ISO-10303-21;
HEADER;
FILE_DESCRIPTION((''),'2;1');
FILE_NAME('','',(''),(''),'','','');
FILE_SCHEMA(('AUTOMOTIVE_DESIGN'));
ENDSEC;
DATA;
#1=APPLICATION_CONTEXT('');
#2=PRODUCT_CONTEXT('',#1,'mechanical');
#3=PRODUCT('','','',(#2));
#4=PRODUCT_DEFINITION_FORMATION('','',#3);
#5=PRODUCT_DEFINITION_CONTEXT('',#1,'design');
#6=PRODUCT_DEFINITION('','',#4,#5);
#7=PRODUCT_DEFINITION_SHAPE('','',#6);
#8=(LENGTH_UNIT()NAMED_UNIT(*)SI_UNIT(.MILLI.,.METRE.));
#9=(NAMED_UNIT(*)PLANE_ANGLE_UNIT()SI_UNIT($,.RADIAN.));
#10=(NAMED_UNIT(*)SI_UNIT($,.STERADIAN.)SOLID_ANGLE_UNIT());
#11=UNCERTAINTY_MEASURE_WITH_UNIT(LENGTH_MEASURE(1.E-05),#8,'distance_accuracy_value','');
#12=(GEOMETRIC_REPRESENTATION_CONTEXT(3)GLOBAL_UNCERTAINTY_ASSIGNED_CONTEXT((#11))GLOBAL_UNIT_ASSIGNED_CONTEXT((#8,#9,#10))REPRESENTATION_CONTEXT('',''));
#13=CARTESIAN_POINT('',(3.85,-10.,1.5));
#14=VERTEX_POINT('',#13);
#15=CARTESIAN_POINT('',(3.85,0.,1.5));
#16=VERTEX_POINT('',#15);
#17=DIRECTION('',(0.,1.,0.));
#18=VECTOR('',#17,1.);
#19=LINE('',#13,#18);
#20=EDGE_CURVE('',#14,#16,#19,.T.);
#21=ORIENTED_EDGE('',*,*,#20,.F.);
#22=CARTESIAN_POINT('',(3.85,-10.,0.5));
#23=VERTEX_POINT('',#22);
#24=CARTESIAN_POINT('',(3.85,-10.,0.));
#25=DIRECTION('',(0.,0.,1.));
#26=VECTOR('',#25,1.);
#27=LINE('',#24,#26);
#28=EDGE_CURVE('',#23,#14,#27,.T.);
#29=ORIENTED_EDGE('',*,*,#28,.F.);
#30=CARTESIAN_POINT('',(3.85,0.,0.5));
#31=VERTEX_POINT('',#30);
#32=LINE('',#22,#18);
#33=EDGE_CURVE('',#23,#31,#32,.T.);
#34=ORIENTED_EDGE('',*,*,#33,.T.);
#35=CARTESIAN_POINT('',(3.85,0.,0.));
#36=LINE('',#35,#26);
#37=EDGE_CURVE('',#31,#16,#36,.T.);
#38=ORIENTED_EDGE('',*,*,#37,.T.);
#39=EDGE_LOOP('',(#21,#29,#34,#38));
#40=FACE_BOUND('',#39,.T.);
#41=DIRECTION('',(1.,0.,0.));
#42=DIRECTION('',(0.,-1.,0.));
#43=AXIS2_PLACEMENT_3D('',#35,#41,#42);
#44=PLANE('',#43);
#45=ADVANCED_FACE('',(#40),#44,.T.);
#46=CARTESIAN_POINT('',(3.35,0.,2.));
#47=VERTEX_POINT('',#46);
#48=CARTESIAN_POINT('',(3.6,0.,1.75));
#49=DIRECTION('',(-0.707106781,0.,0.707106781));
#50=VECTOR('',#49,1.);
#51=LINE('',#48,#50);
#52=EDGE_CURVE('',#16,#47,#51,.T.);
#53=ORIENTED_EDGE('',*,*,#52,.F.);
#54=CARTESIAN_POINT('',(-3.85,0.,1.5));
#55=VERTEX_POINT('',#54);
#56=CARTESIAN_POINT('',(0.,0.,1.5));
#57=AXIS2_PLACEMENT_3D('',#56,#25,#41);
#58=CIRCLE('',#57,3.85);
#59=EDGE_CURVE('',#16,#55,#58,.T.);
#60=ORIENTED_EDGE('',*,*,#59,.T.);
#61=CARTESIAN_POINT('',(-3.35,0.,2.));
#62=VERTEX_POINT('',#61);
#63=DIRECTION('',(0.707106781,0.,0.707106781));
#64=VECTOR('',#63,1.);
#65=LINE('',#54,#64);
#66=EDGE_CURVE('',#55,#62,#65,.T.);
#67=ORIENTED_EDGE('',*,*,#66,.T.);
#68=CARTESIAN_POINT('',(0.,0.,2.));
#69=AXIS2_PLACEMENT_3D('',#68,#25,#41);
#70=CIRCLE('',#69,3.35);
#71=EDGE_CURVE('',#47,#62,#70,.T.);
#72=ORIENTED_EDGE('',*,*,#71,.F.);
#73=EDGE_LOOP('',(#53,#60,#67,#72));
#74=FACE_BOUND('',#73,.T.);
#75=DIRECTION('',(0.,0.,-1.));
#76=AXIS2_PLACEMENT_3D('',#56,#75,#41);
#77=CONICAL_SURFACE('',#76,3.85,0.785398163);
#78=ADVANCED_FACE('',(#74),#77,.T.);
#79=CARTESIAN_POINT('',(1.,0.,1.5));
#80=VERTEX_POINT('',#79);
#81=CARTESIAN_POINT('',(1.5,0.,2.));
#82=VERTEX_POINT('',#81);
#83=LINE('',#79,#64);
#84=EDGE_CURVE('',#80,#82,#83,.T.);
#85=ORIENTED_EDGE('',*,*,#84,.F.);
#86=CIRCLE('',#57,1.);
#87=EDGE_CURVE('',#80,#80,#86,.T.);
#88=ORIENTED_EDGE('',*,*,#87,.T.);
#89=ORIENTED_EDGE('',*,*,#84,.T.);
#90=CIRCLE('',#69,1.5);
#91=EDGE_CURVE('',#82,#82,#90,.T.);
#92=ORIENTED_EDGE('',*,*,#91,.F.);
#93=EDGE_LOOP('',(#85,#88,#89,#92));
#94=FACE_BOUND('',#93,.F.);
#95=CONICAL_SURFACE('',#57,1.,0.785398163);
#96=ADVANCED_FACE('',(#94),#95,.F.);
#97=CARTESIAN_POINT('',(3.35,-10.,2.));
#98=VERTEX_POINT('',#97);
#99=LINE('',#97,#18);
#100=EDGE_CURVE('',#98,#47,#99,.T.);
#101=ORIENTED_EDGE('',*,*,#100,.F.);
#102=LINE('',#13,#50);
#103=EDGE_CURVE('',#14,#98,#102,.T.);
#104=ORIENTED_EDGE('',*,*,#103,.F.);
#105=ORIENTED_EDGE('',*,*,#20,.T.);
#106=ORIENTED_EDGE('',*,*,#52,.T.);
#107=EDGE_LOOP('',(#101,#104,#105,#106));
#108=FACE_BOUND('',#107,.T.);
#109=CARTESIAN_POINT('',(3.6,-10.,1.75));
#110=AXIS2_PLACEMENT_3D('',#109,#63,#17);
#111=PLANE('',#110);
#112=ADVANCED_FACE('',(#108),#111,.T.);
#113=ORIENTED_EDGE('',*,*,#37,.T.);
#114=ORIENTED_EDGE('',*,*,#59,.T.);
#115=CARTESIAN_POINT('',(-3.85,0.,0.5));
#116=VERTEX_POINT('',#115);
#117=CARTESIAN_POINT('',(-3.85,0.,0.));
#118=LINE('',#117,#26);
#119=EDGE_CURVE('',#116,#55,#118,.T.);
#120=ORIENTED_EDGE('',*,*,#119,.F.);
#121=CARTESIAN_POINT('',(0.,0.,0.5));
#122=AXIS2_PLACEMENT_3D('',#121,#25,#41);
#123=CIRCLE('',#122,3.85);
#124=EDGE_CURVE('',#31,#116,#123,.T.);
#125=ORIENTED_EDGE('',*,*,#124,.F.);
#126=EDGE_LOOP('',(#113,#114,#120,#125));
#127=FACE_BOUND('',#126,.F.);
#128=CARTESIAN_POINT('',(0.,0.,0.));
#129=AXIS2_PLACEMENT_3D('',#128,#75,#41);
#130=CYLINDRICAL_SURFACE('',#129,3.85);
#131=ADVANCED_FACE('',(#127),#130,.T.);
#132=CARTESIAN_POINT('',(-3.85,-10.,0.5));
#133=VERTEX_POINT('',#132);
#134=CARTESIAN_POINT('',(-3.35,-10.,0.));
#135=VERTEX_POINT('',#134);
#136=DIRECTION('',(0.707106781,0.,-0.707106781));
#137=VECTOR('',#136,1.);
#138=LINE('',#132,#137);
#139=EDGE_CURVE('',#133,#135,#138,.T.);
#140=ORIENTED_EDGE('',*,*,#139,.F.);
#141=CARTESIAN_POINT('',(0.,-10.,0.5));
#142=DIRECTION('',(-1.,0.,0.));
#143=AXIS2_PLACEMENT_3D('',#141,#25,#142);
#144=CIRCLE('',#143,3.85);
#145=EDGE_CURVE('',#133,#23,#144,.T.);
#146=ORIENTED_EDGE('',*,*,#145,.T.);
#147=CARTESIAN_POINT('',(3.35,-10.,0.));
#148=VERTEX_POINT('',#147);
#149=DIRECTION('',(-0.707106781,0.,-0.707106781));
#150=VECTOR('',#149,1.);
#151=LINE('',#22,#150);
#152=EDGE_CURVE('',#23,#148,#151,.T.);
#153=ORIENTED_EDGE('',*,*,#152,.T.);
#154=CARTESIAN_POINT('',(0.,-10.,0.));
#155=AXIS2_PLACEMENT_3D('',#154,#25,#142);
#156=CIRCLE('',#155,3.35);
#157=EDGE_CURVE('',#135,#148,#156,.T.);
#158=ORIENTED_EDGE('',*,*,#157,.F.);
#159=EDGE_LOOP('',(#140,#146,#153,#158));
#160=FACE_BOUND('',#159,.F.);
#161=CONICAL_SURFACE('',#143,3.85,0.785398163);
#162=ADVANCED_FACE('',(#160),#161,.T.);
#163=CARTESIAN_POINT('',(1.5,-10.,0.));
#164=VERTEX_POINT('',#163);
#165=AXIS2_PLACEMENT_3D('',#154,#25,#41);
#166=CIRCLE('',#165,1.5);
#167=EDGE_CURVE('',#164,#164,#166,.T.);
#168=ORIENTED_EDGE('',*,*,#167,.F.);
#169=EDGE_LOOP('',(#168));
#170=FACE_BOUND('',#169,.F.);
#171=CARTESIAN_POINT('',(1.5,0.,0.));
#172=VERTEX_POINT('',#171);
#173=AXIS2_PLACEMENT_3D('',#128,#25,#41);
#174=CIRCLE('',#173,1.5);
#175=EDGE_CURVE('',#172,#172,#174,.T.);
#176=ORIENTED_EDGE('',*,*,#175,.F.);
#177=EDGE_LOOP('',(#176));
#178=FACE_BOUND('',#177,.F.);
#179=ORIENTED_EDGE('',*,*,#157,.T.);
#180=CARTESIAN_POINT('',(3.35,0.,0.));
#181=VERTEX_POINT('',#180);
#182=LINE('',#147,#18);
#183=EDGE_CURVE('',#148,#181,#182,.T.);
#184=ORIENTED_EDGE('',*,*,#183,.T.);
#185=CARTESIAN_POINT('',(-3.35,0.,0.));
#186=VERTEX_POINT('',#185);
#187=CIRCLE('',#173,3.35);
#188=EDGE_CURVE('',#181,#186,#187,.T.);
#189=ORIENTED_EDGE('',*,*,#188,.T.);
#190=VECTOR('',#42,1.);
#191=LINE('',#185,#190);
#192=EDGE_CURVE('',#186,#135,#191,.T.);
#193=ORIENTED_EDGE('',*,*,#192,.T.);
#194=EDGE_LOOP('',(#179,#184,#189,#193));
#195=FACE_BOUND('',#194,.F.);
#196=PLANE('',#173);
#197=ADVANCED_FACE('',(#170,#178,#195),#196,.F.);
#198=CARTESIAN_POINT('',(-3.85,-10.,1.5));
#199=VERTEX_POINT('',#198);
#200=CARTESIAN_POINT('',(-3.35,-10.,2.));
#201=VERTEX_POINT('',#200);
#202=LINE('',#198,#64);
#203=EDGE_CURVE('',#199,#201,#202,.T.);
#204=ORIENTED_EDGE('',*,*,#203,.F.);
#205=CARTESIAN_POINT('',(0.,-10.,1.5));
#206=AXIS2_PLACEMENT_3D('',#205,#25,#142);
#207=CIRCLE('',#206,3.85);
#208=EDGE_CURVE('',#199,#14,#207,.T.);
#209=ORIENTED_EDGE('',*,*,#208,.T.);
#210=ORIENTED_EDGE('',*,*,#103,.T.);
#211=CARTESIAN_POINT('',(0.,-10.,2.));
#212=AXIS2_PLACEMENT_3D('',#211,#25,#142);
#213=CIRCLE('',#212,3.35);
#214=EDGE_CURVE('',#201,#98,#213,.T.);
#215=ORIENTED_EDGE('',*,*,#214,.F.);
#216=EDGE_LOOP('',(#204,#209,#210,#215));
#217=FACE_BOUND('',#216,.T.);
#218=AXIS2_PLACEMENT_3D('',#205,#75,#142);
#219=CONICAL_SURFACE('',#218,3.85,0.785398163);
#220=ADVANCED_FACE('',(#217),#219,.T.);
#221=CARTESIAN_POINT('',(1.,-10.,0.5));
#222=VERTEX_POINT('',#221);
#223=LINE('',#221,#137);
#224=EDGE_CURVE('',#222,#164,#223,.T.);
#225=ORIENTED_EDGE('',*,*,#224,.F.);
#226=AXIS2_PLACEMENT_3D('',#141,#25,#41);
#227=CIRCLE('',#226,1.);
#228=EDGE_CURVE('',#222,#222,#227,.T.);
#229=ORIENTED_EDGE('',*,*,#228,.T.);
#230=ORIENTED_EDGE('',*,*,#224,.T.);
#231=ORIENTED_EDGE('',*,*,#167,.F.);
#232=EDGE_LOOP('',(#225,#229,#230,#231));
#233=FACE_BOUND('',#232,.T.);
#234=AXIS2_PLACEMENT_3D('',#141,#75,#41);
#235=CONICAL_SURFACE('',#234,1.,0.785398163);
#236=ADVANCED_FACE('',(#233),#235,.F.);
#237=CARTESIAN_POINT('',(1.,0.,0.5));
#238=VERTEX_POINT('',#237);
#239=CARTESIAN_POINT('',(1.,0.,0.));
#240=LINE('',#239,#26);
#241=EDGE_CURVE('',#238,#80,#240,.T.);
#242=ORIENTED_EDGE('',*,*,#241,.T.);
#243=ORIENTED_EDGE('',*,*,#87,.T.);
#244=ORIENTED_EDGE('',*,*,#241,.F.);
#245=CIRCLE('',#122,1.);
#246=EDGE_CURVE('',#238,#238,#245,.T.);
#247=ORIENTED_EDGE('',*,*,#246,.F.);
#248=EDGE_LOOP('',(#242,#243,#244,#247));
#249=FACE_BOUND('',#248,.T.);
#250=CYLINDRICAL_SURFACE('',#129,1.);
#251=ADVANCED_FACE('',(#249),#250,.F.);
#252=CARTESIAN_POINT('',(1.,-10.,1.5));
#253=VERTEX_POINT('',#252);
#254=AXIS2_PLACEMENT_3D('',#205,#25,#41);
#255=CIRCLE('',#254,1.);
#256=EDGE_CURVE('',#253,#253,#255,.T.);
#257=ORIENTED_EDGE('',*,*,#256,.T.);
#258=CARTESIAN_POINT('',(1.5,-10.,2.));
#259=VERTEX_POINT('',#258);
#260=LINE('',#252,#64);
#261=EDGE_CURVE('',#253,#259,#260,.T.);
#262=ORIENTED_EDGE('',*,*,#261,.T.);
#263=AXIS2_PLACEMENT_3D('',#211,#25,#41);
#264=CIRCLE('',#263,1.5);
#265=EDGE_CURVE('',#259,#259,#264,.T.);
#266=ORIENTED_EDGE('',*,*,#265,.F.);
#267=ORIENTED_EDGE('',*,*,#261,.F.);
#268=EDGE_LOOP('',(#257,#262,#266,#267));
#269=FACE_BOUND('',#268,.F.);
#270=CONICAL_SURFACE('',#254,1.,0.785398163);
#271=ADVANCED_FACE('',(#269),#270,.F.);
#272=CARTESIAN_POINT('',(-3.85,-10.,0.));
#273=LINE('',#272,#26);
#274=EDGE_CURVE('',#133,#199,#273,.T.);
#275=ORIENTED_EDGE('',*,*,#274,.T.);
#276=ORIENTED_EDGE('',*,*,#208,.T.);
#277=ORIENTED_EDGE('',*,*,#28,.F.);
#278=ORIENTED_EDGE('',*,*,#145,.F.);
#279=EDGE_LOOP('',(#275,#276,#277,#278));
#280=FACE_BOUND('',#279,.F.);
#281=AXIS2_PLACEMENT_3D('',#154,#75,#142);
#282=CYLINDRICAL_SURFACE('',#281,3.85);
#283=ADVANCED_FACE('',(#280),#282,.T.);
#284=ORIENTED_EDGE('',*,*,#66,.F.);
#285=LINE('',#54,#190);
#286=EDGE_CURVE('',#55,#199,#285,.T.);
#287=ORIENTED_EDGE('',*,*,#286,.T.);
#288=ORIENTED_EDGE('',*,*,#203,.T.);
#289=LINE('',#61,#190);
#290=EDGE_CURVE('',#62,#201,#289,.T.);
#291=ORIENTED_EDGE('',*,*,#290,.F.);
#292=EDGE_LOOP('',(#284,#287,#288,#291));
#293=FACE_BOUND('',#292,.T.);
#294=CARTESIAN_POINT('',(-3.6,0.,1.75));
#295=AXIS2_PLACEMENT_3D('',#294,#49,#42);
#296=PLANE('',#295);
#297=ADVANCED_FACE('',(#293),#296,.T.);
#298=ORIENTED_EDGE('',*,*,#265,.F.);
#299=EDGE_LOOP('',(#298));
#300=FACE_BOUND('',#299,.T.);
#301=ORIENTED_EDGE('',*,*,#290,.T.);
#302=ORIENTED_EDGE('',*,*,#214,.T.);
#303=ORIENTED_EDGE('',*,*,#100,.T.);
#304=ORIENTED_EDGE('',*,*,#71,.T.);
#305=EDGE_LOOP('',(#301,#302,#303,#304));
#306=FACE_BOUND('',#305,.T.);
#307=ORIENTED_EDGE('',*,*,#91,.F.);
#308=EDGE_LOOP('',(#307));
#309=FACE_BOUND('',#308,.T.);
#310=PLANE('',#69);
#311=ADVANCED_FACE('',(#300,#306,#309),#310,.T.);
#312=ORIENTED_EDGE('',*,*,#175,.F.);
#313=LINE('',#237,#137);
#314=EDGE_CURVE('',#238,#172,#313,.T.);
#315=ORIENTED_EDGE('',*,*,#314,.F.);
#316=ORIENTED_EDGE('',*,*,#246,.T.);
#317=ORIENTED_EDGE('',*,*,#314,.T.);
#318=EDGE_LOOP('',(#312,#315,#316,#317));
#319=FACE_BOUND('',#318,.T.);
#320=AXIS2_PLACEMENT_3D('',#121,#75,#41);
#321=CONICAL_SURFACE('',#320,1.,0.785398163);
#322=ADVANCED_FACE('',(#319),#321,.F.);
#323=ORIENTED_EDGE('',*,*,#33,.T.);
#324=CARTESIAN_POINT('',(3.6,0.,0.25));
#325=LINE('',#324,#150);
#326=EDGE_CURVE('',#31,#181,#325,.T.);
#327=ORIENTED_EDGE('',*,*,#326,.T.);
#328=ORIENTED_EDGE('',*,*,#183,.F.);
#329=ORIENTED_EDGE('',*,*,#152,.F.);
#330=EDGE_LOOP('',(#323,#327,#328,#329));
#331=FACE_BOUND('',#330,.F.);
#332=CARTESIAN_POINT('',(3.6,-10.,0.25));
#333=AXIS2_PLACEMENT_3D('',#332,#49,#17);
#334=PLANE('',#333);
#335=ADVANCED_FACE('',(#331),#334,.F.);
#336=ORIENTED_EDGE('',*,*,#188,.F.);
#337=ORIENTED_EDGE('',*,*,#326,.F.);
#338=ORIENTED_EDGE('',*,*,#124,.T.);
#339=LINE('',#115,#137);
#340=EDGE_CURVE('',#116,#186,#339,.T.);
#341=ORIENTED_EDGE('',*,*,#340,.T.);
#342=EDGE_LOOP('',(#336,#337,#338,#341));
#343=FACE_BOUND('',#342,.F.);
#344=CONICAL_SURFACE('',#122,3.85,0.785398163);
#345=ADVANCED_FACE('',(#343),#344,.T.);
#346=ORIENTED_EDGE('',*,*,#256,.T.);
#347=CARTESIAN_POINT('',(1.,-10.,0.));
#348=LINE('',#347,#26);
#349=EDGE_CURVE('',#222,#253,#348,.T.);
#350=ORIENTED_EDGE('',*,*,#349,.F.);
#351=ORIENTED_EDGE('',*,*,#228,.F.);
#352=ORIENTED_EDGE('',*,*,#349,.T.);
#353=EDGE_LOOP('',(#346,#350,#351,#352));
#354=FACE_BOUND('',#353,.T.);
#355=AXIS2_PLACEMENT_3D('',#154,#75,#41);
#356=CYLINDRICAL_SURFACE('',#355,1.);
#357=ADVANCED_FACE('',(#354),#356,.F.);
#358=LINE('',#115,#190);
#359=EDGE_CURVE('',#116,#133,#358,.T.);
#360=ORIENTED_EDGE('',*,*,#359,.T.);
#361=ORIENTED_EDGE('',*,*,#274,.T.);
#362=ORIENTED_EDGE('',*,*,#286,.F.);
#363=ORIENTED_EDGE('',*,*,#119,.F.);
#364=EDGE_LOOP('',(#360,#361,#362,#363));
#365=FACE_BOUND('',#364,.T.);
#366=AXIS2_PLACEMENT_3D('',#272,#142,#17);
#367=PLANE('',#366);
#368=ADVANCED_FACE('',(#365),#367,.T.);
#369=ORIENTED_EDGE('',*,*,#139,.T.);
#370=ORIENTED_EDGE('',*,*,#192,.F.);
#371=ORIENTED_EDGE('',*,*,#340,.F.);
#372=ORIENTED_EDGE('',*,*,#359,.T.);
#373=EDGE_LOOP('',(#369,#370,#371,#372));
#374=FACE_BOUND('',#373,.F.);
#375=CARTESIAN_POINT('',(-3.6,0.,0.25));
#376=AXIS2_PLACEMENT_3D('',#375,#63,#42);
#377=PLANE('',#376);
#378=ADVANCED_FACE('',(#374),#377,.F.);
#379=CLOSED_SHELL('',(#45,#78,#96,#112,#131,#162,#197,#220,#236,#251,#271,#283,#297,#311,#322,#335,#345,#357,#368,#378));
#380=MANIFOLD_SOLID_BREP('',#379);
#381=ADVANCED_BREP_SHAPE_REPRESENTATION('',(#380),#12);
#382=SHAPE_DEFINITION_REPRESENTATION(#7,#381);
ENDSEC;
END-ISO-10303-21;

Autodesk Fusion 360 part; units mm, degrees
sketch "Skizze1" plane through (0, 0, 0) normal (0, 0, 1) x (1, 0, 0)
  line L0 (3.85, 0) -> (3.85, -10)
  line L1 (-3.85, -10) -> (-3.85, 0)
  arc A0 (-3.85, -10) -> (3.85, -10) centre (0, -10) ccw
  arc A1 (3.85, 0) -> (-3.85, 0) centre (0, 0) ccw
  circle A2 centre (0, 0) radius 1
  circle A3 centre (0, -10) radius 1
  dimension "d609" = 7.7
  dimension "d610" = 10
  dimension "d613" = 2
extrude "Extrusion1" add sketch "Skizze1" along normal blind 2
chamfer "Fase1" distance 0.5 angle 45 12 edges at (0, -13.85, 0) (3.85, -5, 0) (0, 3.85, 0) (-3.85, -5, 0) (-0.9323, -9.6384, 0) (-0.9323, 0.3616, 0) (-0.9323, 0.3616, 2) (-0.9323, -9.6384, 2) (0, -13.85, 2) (3.85, -5, 2) (0, 3.85, 2) (-3.85, -5, 2)
equation "d609 = 8 mm - 0.3 mm"
